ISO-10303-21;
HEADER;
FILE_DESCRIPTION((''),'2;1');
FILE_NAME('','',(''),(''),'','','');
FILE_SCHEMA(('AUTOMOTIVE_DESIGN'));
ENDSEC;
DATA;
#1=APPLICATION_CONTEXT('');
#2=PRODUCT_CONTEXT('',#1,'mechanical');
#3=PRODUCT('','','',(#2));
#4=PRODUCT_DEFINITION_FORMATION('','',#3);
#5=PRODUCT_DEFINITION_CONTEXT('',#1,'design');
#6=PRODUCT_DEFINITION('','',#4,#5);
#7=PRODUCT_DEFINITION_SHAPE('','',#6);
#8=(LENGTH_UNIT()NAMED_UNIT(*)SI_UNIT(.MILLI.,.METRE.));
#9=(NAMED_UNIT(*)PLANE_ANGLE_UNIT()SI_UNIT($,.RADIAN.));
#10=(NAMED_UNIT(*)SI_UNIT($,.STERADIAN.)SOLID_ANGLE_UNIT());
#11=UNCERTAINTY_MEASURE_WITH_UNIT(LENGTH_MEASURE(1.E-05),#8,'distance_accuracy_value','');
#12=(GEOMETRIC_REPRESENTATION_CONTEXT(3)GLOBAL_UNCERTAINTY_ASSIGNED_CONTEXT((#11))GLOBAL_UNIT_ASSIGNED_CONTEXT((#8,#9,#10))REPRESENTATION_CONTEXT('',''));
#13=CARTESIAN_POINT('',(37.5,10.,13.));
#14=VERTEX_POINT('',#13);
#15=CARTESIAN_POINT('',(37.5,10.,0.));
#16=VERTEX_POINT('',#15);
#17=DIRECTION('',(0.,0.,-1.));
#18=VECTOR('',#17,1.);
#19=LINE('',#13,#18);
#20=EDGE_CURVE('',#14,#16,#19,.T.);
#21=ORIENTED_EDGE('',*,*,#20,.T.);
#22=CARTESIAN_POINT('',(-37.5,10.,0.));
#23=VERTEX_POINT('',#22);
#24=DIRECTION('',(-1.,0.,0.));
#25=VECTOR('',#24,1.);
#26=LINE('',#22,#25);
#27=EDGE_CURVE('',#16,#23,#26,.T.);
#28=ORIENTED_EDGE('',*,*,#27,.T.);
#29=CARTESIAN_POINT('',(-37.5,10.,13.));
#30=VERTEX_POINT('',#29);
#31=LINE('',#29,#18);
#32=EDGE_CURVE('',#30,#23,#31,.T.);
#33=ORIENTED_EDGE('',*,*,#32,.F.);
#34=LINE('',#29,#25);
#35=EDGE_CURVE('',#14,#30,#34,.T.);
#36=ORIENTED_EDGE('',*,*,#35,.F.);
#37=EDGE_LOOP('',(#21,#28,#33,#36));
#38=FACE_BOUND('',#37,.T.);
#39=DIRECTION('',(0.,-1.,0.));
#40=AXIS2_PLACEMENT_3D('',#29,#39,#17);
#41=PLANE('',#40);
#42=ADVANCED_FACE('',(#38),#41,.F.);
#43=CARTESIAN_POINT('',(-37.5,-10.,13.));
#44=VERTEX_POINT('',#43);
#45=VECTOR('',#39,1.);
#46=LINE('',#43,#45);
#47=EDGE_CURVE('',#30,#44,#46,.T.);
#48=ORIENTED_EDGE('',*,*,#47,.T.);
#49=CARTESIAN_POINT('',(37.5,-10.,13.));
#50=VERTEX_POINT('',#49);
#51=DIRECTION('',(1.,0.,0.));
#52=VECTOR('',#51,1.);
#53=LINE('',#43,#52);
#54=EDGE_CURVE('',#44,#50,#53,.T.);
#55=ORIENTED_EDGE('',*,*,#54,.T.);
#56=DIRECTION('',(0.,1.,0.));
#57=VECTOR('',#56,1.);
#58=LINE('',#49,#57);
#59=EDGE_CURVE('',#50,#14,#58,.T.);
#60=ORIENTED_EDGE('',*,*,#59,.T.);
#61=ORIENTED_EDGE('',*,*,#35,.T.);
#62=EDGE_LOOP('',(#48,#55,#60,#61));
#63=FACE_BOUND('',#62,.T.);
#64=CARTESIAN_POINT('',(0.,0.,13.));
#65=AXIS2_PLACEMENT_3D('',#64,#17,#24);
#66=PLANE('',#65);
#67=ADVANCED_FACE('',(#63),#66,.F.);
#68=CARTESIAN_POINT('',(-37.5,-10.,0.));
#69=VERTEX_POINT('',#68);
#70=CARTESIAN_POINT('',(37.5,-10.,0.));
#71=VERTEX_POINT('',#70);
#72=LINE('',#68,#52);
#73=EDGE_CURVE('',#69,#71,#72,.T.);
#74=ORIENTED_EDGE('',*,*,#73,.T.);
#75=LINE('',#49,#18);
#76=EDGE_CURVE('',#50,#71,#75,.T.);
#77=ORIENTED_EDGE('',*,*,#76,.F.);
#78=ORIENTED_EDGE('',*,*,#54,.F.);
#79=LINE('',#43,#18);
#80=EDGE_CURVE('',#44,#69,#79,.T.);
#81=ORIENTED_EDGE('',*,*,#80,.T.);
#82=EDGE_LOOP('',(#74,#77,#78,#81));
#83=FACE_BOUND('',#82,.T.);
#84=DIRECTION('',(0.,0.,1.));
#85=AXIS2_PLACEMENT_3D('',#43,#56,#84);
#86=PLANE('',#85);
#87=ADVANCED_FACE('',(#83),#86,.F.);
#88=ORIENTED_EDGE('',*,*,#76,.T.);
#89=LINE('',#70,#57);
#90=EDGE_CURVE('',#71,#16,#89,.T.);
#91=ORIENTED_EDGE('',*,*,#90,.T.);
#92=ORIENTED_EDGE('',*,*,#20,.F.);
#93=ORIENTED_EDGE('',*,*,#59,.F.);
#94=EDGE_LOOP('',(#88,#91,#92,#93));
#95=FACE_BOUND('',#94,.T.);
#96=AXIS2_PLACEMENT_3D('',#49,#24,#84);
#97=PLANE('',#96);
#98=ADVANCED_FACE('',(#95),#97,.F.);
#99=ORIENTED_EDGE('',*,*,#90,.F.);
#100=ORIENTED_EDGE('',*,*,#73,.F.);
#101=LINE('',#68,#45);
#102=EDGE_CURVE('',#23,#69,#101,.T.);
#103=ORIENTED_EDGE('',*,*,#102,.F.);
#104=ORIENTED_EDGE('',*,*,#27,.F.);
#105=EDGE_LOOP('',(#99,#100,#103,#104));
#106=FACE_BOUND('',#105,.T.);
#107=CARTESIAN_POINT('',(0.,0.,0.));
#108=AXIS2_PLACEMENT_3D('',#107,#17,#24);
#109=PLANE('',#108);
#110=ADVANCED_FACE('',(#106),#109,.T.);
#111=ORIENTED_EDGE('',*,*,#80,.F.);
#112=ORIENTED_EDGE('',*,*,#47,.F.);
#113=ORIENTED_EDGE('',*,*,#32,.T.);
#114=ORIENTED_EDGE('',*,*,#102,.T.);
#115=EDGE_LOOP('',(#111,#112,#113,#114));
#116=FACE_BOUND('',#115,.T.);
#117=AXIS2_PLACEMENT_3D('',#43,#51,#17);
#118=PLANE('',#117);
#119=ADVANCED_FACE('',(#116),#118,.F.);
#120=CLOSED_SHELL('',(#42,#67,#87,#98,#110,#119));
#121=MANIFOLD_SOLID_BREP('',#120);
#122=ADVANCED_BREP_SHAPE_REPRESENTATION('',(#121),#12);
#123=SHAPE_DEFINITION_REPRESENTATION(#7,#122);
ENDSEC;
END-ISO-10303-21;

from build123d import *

# Parameters (mm, degrees)
SKETCH_1_W      = 75
SKETCH_1_H      = 20
EXTRUDE_1_DEPTH = 13


with BuildPart() as part:
    # Эскиз1 → Бобышка-Вытянуть1 (new body)
    with BuildSketch(Plane.XY):
        Rectangle(SKETCH_1_W, SKETCH_1_H)
    extrude(amount=EXTRUDE_1_DEPTH)


solid = part.part
